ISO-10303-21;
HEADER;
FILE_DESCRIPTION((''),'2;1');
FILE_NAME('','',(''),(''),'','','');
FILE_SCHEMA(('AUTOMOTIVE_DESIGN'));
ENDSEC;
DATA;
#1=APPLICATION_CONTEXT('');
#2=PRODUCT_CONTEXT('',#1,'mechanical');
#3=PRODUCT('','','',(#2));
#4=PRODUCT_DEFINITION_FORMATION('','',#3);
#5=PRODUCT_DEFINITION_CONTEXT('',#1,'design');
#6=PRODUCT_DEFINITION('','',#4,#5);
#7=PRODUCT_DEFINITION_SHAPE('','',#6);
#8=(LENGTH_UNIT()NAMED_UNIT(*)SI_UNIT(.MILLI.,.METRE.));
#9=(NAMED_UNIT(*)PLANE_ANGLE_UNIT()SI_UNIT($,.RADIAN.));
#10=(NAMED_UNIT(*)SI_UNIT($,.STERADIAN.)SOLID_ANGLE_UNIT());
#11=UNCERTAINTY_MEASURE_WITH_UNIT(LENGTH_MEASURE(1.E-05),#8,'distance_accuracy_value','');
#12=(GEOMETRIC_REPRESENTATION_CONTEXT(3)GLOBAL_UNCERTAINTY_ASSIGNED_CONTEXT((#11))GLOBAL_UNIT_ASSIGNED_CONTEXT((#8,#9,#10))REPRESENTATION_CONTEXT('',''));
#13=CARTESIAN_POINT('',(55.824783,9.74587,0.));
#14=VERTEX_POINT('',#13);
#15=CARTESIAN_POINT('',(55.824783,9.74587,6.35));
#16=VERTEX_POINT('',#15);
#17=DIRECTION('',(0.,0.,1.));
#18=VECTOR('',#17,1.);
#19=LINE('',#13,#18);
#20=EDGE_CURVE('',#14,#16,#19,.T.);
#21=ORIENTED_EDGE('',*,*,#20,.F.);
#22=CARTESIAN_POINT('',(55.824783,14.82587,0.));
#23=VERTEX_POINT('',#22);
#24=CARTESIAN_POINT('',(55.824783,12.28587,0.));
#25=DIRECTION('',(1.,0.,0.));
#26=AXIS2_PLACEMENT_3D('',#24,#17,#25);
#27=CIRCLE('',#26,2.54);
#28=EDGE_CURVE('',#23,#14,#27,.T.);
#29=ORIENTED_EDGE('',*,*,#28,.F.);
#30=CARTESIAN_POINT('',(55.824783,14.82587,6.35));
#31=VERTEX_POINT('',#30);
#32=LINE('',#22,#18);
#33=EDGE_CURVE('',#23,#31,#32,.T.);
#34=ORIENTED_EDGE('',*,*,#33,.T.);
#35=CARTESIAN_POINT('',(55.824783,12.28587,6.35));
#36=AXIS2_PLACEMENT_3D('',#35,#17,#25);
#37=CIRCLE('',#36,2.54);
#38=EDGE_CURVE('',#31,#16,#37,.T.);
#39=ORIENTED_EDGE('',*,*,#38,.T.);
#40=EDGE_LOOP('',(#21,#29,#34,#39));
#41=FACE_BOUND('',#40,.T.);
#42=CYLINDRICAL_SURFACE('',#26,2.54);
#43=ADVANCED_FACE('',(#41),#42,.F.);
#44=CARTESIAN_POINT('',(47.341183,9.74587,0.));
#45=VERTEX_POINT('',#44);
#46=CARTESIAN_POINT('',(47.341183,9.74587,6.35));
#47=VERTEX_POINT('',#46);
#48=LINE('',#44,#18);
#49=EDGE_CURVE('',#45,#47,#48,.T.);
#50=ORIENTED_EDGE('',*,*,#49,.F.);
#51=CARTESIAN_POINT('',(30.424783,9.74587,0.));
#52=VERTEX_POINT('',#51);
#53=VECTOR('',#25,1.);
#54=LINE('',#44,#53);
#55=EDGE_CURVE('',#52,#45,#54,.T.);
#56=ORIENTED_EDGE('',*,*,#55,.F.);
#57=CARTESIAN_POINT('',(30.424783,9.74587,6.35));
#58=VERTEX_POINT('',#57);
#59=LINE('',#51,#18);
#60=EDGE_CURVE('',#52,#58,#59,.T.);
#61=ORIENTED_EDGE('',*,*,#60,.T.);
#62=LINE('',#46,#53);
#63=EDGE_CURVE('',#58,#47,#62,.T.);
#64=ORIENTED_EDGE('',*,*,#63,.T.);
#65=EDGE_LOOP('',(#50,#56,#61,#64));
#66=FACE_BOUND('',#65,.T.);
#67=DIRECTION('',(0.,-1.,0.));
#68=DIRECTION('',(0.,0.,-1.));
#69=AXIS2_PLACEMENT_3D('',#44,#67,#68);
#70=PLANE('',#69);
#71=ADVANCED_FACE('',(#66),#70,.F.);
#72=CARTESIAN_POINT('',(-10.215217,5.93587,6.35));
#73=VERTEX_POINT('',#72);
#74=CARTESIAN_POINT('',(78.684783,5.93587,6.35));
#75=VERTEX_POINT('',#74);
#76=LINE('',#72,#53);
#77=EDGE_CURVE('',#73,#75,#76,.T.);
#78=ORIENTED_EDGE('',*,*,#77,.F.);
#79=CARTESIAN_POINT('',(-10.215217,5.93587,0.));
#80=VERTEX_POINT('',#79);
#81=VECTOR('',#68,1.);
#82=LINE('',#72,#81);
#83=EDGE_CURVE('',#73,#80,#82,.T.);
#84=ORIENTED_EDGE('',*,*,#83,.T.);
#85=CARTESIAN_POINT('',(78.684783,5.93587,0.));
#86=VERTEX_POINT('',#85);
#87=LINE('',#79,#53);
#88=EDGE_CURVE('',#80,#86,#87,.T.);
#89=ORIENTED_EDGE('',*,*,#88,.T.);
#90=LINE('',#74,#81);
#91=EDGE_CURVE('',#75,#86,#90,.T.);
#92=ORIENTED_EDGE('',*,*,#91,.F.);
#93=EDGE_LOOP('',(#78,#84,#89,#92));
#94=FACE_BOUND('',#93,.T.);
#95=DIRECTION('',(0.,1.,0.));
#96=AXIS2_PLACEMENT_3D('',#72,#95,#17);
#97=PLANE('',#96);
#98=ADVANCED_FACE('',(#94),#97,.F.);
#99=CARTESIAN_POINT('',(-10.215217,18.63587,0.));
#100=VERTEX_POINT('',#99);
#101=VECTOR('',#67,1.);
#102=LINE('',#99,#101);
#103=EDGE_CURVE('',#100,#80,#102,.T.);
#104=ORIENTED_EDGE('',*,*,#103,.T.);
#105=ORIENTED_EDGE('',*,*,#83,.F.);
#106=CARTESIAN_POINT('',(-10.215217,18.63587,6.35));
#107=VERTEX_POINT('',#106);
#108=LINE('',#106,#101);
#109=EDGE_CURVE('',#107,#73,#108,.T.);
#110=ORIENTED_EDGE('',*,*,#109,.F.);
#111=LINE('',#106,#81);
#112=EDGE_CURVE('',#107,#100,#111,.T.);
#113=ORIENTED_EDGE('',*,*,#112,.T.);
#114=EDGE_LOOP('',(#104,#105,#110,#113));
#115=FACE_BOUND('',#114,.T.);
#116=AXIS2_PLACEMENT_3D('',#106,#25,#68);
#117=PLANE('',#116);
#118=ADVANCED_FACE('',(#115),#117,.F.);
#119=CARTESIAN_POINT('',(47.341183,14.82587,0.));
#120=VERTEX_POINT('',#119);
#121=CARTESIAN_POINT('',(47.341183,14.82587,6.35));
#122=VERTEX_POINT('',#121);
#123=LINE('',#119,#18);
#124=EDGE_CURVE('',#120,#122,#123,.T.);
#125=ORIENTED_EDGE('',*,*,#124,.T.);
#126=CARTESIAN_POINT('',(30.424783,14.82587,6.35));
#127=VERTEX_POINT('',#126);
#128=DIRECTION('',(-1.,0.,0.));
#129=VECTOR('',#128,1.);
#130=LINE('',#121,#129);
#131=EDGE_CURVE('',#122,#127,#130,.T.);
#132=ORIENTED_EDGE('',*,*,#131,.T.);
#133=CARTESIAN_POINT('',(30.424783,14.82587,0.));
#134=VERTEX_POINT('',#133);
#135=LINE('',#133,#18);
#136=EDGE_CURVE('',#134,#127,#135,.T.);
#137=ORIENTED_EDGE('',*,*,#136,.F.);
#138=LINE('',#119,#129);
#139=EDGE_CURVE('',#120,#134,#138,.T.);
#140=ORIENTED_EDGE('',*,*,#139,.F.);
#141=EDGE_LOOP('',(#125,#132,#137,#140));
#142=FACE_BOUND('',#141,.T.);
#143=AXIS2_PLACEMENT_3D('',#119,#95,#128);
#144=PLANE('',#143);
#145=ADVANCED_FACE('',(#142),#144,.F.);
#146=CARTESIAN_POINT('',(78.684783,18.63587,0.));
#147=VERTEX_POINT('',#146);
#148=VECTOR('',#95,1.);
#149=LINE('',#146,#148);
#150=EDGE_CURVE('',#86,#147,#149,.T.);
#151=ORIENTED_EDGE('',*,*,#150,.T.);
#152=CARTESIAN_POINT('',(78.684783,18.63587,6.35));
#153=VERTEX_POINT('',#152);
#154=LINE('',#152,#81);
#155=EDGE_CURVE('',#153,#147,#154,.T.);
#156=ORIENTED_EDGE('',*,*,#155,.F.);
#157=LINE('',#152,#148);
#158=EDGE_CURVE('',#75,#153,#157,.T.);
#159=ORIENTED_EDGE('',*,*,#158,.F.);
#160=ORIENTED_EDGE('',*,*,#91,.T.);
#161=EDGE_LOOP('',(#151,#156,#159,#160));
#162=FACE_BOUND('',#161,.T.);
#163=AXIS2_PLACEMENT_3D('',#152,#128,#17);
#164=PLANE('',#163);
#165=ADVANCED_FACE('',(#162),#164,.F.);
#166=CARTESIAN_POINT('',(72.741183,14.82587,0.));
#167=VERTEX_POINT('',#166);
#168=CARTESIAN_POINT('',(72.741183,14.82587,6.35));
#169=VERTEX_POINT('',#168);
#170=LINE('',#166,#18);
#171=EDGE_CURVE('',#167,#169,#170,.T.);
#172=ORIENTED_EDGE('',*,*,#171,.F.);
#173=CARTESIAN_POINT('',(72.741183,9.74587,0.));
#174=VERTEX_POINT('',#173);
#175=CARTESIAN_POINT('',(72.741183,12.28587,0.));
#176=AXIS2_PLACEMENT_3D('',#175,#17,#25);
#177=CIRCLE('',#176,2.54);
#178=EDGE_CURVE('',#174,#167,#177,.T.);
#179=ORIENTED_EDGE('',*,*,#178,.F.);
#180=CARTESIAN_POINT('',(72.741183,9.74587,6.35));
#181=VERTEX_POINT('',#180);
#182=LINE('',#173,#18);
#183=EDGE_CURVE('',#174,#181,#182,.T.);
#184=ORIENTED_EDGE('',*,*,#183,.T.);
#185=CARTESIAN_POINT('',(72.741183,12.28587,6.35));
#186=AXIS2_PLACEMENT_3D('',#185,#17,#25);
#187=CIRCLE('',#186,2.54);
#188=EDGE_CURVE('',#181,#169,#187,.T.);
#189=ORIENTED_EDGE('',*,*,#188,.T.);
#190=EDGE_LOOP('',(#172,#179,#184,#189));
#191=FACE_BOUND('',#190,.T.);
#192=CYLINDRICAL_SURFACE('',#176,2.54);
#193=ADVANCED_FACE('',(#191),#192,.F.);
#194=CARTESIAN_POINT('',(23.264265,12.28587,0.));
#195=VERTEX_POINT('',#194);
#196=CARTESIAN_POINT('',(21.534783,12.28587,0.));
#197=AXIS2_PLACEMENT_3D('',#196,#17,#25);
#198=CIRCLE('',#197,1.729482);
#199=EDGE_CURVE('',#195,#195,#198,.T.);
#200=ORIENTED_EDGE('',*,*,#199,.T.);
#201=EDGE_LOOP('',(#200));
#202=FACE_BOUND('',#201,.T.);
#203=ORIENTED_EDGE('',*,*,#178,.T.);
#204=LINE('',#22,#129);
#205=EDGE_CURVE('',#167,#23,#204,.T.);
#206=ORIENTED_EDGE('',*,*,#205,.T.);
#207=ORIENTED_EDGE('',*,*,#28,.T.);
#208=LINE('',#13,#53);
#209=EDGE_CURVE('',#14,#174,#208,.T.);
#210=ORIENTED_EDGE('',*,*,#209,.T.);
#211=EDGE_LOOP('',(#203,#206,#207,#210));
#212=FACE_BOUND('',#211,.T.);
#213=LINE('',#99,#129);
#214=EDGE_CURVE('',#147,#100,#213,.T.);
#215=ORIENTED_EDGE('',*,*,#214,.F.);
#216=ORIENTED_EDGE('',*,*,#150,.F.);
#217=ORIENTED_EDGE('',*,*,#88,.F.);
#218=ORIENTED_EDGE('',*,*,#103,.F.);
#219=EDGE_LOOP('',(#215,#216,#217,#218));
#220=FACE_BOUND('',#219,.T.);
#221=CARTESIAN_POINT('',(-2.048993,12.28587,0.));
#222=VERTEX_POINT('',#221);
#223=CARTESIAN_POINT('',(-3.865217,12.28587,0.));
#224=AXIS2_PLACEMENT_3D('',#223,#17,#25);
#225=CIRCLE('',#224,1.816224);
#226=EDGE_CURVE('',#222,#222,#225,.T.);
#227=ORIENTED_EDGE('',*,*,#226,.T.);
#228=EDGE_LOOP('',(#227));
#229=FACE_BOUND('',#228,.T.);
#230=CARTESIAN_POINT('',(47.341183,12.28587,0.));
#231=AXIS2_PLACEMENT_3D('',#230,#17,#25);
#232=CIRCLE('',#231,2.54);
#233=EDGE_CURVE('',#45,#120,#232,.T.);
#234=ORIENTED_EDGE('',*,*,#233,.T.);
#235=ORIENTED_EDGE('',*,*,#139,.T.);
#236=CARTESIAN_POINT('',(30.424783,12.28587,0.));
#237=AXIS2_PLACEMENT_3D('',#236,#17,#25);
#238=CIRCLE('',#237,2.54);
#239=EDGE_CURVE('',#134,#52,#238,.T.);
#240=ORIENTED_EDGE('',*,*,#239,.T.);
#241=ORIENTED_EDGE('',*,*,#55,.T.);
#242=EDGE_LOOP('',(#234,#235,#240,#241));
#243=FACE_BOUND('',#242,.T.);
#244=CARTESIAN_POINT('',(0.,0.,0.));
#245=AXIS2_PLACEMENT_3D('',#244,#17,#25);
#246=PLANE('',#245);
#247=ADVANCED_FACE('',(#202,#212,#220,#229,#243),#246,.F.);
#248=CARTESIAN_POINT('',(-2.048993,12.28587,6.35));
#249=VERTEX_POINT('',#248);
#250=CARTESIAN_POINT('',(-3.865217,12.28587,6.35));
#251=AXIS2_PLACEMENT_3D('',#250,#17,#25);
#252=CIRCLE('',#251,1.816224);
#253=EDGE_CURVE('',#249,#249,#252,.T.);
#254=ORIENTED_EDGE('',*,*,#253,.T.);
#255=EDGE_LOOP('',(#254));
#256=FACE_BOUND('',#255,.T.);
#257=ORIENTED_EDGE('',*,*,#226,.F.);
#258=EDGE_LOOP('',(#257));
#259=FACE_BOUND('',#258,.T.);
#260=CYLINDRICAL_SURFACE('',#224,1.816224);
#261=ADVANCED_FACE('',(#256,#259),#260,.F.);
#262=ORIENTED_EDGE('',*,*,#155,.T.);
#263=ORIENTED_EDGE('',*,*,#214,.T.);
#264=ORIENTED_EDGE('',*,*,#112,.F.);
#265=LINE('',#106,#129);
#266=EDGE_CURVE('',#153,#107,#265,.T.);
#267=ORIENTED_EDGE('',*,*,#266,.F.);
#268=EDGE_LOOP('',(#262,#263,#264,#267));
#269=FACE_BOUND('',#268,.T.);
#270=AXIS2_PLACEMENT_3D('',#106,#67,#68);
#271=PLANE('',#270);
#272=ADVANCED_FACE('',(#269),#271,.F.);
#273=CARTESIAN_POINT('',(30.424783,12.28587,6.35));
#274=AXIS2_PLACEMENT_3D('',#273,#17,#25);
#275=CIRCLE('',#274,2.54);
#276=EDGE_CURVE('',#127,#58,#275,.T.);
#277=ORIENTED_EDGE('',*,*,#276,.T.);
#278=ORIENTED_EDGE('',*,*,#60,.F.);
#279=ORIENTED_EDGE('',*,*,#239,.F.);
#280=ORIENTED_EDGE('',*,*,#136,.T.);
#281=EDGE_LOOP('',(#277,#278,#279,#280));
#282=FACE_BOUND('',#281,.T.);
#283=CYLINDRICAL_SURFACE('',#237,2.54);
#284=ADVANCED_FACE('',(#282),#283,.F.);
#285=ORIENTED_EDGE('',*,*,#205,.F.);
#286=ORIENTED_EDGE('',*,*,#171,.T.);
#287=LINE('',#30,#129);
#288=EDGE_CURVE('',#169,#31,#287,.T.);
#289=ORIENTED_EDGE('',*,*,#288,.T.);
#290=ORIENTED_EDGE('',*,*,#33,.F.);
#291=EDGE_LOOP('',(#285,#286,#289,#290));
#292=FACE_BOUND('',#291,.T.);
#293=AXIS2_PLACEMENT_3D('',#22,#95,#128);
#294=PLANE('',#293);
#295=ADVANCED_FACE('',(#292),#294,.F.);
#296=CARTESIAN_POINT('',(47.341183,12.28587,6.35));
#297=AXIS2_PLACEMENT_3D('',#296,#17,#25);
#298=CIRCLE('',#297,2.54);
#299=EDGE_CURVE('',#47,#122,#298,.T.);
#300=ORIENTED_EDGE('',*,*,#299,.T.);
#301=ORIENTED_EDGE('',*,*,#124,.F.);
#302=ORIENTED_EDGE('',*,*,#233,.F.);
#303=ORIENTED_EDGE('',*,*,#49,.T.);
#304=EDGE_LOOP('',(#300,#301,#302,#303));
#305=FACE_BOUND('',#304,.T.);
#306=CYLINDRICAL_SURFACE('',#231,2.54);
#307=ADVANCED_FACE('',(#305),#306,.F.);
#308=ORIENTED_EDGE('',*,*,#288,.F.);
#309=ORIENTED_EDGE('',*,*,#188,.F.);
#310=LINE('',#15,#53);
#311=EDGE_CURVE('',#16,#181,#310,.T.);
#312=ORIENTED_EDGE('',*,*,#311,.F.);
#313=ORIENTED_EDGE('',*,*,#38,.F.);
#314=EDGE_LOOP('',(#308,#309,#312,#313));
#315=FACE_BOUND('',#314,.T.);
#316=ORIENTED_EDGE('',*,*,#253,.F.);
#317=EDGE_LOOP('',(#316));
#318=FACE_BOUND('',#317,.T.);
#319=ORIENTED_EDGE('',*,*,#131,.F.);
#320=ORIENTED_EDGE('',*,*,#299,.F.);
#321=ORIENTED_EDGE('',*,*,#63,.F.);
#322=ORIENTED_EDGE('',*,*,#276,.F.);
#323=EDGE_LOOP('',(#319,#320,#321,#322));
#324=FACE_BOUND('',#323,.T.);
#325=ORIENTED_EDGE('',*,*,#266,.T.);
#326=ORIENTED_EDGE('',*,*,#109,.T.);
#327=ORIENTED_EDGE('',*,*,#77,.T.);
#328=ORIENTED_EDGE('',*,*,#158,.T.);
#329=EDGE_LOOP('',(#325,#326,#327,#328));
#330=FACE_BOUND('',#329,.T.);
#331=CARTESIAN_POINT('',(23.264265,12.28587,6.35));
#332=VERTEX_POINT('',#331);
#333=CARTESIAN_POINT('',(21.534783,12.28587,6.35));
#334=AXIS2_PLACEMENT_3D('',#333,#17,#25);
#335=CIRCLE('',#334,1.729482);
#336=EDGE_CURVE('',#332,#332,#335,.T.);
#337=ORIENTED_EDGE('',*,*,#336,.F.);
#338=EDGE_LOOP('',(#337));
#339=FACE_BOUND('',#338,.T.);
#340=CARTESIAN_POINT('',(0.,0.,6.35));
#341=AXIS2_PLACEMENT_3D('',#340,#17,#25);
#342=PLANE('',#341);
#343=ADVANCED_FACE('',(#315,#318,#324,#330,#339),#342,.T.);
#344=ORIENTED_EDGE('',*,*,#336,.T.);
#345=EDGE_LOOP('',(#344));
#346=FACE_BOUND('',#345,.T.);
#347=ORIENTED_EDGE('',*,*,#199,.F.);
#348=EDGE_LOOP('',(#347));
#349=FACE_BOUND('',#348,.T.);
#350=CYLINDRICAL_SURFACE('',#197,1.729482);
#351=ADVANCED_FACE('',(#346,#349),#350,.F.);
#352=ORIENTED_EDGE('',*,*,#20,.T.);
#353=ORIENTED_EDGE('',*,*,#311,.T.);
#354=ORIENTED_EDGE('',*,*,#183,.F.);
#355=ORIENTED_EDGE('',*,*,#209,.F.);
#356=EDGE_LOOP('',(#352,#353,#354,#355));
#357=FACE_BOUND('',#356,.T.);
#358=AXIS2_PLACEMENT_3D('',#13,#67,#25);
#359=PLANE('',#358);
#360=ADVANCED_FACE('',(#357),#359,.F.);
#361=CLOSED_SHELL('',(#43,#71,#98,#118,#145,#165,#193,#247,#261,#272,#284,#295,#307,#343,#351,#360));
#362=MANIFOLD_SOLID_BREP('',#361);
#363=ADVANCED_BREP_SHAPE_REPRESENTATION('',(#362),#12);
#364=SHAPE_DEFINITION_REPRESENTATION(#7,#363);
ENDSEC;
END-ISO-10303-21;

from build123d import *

# Parameters (mm, degrees)
SKETCH1_W           = 88.9
SKETCH1_H           = 12.7
BOSS_EXTRUDE1_DEPTH = 6.35
SKETCH3_R           = 1.729482421
SKETCH3_R_2         = 1.816224302
CUT_EXTRUDE1_DEPTH  = 6.35


with BuildPart() as part:
    # Sketch1 → Boss-Extrude1 (new body)
    with BuildSketch(Plane.XY):
        with Locations((34.234782609, 12.285869565)):
            Rectangle(SKETCH1_W, SKETCH1_H)
    extrude(amount=BOSS_EXTRUDE1_DEPTH)

    # Sketch3 → Cut-Extrude1 (cut)
    with BuildSketch(Plane.XY.offset(6.35)):
        with Locations((21.534782609, 12.285869565)):
            Circle(SKETCH3_R)
        with Locations((-3.865217391, 12.285869565)):
            Circle(SKETCH3_R_2)
        with BuildLine():
            Line((55.824782609, 14.825869565), (72.741182609, 14.825869565))
            ThreePointArc((72.741182609, 14.825869565), (75.281182609, 12.285869565), (72.741182609, 9.745869565))
            Line((72.741182609, 9.745869565), (55.824782609, 9.745869565))
            ThreePointArc((55.824782609, 9.745869565), (53.284782609, 12.285869565), (55.824782609, 14.825869565))
        make_face()
        with BuildLine():
            Line((47.341182609, 9.745869565), (30.424782609, 9.745869565))
            ThreePointArc((30.424782609, 9.745869565), (27.884782609, 12.285869565), (30.424782609, 14.825869565))
            Line((30.424782609, 14.825869565), (47.341182609, 14.825869565))
            ThreePointArc((47.341182609, 14.825869565), (49.881182609, 12.285869565), (47.341182609, 9.745869565))
        make_face()
    extrude(amount=-CUT_EXTRUDE1_DEPTH, mode=Mode.SUBTRACT)


solid = part.part
